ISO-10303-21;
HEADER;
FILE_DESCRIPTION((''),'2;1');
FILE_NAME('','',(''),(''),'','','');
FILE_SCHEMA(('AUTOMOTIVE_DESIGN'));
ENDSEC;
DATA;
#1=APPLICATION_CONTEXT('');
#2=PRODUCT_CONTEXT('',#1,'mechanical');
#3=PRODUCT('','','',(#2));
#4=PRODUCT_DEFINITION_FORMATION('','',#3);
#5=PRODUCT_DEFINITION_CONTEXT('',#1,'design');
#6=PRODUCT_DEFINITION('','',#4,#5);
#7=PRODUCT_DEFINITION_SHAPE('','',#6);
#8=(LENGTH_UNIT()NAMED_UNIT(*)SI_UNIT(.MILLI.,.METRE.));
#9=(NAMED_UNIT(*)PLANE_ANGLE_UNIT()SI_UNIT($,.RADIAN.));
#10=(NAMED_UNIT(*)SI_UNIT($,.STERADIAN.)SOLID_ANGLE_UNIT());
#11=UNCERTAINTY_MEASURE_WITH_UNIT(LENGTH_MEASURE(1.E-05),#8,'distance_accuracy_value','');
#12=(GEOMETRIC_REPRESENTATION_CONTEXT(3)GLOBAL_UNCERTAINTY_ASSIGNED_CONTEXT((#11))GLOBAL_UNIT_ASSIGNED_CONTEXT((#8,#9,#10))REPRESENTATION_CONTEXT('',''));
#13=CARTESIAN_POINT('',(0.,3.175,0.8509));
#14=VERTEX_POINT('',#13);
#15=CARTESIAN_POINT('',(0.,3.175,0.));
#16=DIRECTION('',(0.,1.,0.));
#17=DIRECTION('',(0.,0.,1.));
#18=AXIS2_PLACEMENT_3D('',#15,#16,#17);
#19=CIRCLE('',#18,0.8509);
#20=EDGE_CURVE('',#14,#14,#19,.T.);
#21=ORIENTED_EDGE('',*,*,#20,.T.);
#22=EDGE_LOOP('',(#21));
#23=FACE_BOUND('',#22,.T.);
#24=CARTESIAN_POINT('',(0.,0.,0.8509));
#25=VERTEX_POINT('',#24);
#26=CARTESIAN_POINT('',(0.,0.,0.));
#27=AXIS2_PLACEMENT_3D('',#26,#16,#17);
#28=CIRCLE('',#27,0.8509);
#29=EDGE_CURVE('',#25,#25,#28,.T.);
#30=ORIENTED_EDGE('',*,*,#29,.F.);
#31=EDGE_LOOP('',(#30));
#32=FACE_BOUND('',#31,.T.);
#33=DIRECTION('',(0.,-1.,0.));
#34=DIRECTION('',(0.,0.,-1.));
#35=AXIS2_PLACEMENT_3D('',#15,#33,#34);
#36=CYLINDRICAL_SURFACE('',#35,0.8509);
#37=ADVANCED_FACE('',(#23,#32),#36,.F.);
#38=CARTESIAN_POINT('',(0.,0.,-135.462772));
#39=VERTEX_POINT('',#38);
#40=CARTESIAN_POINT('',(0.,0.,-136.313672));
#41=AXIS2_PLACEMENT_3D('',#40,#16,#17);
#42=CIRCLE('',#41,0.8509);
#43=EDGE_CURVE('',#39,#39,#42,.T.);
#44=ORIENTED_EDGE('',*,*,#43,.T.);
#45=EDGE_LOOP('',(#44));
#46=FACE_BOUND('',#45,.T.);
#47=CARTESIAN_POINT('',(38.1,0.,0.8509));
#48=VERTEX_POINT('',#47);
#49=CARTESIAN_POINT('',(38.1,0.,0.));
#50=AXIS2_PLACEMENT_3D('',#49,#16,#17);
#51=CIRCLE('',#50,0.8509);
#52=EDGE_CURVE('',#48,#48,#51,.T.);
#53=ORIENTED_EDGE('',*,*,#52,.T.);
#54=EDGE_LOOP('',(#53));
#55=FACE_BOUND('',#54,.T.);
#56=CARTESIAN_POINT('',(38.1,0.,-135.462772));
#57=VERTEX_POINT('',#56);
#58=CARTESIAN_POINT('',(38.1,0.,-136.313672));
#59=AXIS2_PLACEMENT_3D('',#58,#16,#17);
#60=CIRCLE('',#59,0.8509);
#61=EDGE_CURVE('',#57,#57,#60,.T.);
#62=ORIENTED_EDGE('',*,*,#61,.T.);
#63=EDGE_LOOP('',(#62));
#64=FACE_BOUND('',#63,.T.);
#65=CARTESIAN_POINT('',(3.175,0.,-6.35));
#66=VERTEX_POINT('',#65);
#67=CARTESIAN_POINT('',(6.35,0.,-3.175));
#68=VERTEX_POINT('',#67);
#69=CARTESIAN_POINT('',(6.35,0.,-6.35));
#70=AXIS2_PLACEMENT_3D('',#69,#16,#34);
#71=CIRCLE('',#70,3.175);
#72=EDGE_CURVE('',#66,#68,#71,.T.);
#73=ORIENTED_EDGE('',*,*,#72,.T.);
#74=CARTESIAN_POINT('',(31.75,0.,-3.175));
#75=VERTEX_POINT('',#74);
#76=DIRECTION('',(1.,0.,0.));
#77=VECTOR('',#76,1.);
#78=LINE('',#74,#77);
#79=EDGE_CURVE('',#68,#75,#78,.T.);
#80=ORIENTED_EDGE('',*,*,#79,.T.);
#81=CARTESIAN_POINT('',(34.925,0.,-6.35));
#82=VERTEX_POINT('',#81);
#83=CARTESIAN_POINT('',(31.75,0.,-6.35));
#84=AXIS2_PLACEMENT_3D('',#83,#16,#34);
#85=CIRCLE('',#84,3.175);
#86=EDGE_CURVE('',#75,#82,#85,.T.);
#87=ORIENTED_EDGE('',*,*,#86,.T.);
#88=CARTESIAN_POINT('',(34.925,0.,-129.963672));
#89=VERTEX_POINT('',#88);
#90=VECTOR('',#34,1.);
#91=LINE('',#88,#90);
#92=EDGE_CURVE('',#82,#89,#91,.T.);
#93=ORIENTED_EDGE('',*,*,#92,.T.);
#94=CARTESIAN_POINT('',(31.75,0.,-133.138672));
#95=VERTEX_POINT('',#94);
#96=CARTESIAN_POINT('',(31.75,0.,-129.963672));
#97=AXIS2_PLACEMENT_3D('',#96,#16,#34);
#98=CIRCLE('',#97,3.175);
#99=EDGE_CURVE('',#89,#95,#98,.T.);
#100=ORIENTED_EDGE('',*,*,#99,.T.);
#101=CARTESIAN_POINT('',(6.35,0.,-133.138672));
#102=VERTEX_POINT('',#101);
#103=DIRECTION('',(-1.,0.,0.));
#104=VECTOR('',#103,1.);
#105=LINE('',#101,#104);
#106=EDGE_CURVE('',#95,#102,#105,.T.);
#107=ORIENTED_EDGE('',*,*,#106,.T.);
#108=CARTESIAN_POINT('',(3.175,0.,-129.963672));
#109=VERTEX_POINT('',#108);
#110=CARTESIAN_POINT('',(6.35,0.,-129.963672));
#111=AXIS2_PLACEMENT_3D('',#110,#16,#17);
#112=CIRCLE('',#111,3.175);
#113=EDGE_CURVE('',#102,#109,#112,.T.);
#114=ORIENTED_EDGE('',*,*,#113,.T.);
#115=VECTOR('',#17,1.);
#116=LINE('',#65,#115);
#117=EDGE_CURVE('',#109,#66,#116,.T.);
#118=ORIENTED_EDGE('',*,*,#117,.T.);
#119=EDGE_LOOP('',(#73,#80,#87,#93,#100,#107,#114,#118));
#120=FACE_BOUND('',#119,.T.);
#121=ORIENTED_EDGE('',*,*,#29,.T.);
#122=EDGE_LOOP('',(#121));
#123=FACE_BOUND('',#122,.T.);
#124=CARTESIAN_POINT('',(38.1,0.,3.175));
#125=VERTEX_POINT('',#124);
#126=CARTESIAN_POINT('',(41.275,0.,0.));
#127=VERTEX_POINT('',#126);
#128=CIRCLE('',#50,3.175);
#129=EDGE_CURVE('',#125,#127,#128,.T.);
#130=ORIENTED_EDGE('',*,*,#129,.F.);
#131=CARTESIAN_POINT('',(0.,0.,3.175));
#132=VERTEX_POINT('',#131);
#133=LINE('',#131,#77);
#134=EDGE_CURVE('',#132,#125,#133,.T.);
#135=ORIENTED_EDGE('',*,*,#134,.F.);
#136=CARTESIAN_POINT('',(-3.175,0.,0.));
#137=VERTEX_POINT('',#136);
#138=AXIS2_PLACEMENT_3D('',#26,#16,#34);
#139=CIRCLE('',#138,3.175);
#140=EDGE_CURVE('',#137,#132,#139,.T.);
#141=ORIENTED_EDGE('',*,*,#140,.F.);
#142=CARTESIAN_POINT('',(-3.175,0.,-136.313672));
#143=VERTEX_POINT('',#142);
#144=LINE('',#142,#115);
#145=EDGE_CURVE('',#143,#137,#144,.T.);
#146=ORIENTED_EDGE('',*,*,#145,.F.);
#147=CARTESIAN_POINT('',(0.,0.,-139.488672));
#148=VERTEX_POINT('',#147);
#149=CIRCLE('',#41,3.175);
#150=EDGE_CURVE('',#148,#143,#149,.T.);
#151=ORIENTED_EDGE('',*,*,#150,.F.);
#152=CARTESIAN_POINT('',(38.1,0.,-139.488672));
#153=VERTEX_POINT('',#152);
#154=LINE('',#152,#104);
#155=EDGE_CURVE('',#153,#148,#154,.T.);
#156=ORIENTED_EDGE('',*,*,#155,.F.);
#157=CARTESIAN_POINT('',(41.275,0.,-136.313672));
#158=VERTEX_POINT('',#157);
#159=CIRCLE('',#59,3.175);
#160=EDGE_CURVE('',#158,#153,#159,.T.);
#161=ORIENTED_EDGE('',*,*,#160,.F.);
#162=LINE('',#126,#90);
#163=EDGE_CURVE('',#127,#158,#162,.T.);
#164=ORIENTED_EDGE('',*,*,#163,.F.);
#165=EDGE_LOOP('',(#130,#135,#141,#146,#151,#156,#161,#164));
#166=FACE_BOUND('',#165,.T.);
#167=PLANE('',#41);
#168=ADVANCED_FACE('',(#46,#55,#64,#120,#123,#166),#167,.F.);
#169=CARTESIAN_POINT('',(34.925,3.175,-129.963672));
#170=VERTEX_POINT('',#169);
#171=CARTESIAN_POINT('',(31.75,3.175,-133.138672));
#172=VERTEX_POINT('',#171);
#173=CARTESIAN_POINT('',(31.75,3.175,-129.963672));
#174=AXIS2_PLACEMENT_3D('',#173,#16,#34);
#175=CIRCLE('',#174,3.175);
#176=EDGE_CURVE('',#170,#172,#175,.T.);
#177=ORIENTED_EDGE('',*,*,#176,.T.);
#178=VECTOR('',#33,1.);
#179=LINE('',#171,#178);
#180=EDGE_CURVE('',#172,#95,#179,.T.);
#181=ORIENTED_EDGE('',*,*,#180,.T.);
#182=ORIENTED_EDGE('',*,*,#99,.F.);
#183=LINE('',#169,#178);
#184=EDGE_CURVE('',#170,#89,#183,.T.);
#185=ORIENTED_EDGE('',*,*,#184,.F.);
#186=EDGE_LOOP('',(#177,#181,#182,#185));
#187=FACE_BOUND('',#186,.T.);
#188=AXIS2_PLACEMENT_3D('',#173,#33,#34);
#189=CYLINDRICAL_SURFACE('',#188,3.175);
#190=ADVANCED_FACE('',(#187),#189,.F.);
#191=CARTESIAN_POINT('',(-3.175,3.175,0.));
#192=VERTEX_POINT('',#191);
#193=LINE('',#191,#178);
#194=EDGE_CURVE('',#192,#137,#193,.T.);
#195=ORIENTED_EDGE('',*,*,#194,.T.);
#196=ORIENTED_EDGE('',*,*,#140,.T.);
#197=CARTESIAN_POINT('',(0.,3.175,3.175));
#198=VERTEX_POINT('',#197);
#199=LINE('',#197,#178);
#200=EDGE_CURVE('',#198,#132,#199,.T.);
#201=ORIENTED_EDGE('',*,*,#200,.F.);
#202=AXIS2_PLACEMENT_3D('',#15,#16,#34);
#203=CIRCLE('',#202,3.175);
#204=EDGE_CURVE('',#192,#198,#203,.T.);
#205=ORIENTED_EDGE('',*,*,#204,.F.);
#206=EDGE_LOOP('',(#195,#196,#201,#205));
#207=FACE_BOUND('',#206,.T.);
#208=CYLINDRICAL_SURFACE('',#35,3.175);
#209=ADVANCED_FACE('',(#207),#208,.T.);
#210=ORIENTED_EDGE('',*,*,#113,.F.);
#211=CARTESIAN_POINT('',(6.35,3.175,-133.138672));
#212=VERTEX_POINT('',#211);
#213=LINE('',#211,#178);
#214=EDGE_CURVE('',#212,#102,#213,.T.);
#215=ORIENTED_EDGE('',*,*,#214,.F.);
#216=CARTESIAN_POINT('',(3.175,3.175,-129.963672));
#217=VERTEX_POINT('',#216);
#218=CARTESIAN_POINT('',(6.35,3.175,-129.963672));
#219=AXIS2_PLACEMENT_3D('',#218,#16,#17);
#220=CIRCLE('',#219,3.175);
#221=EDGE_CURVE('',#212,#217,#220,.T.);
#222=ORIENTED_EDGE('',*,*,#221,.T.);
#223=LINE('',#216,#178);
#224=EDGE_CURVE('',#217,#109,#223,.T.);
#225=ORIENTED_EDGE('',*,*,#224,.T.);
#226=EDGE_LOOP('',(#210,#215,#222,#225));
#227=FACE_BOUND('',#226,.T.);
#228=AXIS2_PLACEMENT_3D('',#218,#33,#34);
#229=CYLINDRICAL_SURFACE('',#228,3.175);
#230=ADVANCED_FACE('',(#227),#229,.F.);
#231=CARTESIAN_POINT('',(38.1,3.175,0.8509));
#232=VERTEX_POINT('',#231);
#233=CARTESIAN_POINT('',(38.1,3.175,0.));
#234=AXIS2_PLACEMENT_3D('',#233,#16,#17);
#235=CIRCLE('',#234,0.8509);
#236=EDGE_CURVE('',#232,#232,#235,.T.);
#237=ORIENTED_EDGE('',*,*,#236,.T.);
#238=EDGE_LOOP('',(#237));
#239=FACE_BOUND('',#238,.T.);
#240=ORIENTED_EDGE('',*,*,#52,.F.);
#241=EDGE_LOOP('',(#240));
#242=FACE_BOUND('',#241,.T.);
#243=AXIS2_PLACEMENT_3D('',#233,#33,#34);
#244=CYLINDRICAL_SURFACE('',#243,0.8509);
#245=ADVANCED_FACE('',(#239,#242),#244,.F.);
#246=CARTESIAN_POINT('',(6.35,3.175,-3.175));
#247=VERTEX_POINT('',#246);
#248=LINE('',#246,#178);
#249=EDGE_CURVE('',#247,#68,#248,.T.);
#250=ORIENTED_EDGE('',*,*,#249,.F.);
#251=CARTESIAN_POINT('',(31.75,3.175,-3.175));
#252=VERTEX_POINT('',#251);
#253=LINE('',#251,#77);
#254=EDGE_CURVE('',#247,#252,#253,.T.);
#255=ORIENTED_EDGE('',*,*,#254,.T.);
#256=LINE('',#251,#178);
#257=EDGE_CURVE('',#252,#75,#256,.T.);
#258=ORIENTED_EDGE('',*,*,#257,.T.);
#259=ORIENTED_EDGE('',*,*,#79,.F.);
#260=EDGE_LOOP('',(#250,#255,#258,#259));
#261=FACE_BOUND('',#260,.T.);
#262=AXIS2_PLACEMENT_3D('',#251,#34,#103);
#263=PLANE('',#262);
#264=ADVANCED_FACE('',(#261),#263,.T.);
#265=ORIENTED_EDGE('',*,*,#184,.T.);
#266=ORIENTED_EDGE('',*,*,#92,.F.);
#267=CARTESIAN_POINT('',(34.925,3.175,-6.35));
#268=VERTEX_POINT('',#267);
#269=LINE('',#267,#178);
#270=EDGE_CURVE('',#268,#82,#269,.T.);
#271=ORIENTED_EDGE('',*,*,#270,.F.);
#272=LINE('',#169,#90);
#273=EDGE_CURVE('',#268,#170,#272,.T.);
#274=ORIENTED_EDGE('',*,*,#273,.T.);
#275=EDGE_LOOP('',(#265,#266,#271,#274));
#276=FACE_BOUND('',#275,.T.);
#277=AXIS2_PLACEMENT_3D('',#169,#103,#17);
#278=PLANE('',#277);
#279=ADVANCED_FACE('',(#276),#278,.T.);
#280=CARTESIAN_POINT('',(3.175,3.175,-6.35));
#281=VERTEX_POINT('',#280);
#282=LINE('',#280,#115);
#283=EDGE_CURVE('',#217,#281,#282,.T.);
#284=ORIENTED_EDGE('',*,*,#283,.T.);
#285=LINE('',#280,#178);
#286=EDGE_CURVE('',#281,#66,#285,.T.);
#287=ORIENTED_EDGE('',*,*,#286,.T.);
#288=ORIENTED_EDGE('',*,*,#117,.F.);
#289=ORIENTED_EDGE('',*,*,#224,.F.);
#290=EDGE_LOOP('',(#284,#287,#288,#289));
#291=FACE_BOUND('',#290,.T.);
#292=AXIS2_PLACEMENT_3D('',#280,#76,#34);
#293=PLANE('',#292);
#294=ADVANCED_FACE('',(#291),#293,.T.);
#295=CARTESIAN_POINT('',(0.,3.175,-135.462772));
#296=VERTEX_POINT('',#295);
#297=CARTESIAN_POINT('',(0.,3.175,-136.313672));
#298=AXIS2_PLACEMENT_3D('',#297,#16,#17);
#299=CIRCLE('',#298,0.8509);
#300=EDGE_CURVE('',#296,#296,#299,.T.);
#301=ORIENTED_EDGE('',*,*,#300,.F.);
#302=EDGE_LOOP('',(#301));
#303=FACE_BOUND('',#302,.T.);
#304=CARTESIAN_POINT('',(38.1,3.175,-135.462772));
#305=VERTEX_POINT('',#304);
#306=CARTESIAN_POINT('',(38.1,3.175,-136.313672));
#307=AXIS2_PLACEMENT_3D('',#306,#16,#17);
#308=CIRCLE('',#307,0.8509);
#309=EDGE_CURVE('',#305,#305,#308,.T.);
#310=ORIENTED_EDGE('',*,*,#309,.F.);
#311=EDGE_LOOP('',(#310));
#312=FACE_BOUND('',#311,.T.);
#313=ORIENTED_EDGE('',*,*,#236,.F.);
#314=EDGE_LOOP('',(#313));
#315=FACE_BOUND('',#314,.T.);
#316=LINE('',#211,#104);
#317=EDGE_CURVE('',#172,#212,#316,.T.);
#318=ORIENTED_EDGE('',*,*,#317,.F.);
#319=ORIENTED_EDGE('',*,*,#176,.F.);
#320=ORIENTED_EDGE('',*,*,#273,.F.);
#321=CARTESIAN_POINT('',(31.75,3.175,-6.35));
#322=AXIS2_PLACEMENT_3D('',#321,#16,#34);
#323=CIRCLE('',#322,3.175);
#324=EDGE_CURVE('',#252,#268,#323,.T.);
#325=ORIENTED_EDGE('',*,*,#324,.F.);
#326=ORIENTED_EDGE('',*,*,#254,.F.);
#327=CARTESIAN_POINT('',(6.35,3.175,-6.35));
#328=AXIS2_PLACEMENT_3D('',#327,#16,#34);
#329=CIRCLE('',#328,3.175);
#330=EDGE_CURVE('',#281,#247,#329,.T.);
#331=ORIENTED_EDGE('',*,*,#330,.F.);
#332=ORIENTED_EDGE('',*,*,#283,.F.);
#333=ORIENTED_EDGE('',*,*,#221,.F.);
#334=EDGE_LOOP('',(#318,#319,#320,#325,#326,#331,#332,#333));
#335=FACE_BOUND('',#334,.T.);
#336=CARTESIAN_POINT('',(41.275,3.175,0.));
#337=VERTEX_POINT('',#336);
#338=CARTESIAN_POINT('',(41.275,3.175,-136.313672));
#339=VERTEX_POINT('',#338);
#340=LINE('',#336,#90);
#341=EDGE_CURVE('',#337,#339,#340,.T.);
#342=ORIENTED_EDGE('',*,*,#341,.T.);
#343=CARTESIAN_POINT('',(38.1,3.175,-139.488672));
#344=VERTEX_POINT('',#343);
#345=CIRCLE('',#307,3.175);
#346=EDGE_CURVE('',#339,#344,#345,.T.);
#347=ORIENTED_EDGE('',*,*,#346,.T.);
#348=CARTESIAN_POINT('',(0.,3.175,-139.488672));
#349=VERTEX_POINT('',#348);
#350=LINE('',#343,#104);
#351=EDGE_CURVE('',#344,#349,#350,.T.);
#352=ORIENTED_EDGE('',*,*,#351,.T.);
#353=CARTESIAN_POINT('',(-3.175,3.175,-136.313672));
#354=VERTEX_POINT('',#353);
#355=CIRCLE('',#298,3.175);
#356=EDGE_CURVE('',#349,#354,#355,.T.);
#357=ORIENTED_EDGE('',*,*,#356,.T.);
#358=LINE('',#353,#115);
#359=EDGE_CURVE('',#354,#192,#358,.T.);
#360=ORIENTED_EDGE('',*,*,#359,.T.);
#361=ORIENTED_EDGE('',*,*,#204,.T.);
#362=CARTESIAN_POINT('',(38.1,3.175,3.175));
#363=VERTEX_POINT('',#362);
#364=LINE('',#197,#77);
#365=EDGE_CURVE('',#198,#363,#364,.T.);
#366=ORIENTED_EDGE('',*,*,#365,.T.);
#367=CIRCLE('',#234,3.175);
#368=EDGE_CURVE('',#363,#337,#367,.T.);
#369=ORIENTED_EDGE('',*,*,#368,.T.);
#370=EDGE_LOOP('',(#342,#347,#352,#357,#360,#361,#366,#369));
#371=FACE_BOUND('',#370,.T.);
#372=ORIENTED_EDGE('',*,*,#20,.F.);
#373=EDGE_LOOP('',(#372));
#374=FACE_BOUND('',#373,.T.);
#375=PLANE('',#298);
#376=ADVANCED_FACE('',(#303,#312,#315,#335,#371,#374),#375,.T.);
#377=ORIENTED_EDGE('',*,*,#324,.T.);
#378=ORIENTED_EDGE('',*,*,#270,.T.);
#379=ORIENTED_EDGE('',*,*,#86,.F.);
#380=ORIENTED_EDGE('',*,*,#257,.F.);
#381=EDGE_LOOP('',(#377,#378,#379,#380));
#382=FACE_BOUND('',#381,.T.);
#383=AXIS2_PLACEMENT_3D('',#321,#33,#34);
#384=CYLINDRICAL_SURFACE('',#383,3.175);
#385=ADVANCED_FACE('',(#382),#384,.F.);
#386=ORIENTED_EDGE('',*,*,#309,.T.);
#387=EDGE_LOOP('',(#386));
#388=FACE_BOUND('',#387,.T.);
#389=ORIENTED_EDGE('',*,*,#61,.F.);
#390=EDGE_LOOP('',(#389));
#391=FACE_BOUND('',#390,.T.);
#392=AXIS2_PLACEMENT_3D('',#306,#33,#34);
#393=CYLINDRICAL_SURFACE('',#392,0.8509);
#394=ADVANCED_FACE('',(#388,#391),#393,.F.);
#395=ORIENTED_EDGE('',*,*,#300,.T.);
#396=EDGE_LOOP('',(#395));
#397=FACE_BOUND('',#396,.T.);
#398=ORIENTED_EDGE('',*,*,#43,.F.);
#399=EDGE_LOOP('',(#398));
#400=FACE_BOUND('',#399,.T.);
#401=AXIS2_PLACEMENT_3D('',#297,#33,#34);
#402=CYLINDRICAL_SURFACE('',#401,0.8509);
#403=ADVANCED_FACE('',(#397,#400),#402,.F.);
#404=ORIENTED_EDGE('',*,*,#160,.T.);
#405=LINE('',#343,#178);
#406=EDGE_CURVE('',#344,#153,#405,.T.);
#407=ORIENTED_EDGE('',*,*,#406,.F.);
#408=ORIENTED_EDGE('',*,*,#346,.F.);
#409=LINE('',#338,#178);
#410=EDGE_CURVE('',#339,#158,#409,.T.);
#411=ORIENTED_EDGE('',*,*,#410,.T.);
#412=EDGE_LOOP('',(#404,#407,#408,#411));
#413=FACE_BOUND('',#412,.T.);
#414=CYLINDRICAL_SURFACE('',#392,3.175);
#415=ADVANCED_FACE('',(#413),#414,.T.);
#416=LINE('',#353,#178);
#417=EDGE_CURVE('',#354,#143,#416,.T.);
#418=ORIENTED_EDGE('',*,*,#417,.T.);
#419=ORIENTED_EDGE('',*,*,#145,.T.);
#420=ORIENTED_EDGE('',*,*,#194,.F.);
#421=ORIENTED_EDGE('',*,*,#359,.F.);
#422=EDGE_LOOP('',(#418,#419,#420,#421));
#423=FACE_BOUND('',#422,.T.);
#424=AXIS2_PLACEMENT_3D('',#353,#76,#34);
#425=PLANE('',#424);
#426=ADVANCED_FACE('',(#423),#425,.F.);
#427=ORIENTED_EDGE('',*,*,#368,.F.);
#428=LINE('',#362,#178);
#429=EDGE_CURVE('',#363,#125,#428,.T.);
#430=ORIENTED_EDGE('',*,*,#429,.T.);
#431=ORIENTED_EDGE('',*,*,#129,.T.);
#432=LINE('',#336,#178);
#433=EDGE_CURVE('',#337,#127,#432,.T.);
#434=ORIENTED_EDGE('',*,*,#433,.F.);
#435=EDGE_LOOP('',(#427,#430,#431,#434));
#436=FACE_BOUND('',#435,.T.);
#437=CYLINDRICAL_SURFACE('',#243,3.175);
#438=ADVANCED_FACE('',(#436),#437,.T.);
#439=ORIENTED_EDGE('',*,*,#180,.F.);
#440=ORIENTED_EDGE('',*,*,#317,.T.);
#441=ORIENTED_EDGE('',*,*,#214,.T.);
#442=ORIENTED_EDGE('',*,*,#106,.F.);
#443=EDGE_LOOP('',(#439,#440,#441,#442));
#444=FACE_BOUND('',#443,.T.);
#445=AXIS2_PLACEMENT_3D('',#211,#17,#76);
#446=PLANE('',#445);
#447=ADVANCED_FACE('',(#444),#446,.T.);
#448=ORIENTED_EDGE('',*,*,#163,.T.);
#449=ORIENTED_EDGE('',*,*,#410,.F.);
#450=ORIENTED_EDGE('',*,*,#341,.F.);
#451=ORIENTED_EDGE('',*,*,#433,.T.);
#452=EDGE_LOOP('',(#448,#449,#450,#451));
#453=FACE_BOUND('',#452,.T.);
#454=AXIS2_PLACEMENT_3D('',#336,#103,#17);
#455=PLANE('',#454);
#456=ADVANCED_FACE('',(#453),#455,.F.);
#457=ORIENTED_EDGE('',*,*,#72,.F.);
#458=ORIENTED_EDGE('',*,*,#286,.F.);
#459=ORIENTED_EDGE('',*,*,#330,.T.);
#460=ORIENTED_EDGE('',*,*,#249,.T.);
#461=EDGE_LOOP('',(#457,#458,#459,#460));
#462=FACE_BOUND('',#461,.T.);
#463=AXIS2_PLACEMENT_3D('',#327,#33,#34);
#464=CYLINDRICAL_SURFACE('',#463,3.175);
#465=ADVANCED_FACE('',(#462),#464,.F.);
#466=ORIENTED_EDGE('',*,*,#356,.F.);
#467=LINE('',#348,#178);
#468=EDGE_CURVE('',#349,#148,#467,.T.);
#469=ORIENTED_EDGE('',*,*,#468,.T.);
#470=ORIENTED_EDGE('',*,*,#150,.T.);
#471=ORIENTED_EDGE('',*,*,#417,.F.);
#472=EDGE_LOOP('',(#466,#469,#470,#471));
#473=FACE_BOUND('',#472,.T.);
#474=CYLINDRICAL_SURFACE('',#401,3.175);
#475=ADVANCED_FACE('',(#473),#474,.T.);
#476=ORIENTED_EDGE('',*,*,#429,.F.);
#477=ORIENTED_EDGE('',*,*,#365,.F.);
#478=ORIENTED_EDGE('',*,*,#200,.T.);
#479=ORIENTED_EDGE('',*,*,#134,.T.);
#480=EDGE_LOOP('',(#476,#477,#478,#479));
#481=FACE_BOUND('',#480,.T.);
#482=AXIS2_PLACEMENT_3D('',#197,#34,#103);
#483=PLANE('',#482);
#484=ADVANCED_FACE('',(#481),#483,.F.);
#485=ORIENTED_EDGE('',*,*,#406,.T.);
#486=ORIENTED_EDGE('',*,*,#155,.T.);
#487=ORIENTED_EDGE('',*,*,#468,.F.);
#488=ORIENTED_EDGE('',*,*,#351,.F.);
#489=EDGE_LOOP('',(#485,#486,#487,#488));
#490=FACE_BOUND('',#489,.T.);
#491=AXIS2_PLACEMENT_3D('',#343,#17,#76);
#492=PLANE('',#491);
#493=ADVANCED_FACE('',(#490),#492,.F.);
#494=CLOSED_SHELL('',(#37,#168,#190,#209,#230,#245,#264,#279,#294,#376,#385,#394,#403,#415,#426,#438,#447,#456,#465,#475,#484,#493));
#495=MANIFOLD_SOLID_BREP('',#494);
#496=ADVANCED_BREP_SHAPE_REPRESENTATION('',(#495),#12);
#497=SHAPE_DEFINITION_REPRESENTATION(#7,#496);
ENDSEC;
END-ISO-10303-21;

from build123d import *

# Parameters (mm, degrees)
SKETCH1_R           = 0.8509
BOSS_EXTRUDE1_DEPTH = 3.175


with BuildPart() as part:
    # Sketch1 → Boss-Extrude1 (new body)
    with BuildSketch(Plane(origin=(0, 0, 0), x_dir=(1, 0, 0), z_dir=(0, 1, 0))):
        with BuildLine():
            Line((0, -3.175), (38.1, -3.175))
            ThreePointArc((38.1, -3.175), (40.34506403, -2.24506403), (41.275, 0))
            Line((41.275, 0), (41.275, 136.313672))
            ThreePointArc((41.275, 136.313672), (40.34506403, 138.55873603), (38.1, 139.488672))
            Line((38.1, 139.488672), (0, 139.488672))
            ThreePointArc((0, 139.488672), (-2.24506403, 138.55873603), (-3.175, 136.313672))
            Line((-3.175, 136.313672), (-3.175, 0))
            ThreePointArc((-3.175, 0), (-2.24506403, -2.24506403), (0, -3.175))
        make_face()
        with Locations(Location((0, 136.313672, 0), (0, 0, 270))):
            Circle(SKETCH1_R, mode=Mode.SUBTRACT)
        with Locations(Location((38.1, 136.313672, 0), (0, 0, 270))):
            Circle(SKETCH1_R, mode=Mode.SUBTRACT)
        with Locations(Location((0, 0, 0), (0, 0, 270))):
            Circle(SKETCH1_R, mode=Mode.SUBTRACT)
        with Locations(Location((38.1, 0, 0), (0, 0, 270))):
            Circle(SKETCH1_R, mode=Mode.SUBTRACT)
        with BuildLine():
            Line((6.35, 133.138672), (31.75, 133.138672))
            ThreePointArc((31.75, 133.138672), (33.99506403, 132.20873603), (34.925, 129.963672))
            Line((34.925, 129.963672), (34.925, 6.35))
            ThreePointArc((34.925, 6.35), (33.99506403, 4.10493597), (31.75, 3.175))
            Line((31.75, 3.175), (6.35, 3.175))
            ThreePointArc((6.35, 3.175), (4.10493597, 4.10493597), (3.175, 6.35))
            Line((3.175, 6.35), (3.175, 129.963672))
            ThreePointArc((3.175, 129.963672), (4.10493597, 132.20873603), (6.35, 133.138672))
        make_face(mode=Mode.SUBTRACT)
    extrude(amount=BOSS_EXTRUDE1_DEPTH)


solid = part.part
